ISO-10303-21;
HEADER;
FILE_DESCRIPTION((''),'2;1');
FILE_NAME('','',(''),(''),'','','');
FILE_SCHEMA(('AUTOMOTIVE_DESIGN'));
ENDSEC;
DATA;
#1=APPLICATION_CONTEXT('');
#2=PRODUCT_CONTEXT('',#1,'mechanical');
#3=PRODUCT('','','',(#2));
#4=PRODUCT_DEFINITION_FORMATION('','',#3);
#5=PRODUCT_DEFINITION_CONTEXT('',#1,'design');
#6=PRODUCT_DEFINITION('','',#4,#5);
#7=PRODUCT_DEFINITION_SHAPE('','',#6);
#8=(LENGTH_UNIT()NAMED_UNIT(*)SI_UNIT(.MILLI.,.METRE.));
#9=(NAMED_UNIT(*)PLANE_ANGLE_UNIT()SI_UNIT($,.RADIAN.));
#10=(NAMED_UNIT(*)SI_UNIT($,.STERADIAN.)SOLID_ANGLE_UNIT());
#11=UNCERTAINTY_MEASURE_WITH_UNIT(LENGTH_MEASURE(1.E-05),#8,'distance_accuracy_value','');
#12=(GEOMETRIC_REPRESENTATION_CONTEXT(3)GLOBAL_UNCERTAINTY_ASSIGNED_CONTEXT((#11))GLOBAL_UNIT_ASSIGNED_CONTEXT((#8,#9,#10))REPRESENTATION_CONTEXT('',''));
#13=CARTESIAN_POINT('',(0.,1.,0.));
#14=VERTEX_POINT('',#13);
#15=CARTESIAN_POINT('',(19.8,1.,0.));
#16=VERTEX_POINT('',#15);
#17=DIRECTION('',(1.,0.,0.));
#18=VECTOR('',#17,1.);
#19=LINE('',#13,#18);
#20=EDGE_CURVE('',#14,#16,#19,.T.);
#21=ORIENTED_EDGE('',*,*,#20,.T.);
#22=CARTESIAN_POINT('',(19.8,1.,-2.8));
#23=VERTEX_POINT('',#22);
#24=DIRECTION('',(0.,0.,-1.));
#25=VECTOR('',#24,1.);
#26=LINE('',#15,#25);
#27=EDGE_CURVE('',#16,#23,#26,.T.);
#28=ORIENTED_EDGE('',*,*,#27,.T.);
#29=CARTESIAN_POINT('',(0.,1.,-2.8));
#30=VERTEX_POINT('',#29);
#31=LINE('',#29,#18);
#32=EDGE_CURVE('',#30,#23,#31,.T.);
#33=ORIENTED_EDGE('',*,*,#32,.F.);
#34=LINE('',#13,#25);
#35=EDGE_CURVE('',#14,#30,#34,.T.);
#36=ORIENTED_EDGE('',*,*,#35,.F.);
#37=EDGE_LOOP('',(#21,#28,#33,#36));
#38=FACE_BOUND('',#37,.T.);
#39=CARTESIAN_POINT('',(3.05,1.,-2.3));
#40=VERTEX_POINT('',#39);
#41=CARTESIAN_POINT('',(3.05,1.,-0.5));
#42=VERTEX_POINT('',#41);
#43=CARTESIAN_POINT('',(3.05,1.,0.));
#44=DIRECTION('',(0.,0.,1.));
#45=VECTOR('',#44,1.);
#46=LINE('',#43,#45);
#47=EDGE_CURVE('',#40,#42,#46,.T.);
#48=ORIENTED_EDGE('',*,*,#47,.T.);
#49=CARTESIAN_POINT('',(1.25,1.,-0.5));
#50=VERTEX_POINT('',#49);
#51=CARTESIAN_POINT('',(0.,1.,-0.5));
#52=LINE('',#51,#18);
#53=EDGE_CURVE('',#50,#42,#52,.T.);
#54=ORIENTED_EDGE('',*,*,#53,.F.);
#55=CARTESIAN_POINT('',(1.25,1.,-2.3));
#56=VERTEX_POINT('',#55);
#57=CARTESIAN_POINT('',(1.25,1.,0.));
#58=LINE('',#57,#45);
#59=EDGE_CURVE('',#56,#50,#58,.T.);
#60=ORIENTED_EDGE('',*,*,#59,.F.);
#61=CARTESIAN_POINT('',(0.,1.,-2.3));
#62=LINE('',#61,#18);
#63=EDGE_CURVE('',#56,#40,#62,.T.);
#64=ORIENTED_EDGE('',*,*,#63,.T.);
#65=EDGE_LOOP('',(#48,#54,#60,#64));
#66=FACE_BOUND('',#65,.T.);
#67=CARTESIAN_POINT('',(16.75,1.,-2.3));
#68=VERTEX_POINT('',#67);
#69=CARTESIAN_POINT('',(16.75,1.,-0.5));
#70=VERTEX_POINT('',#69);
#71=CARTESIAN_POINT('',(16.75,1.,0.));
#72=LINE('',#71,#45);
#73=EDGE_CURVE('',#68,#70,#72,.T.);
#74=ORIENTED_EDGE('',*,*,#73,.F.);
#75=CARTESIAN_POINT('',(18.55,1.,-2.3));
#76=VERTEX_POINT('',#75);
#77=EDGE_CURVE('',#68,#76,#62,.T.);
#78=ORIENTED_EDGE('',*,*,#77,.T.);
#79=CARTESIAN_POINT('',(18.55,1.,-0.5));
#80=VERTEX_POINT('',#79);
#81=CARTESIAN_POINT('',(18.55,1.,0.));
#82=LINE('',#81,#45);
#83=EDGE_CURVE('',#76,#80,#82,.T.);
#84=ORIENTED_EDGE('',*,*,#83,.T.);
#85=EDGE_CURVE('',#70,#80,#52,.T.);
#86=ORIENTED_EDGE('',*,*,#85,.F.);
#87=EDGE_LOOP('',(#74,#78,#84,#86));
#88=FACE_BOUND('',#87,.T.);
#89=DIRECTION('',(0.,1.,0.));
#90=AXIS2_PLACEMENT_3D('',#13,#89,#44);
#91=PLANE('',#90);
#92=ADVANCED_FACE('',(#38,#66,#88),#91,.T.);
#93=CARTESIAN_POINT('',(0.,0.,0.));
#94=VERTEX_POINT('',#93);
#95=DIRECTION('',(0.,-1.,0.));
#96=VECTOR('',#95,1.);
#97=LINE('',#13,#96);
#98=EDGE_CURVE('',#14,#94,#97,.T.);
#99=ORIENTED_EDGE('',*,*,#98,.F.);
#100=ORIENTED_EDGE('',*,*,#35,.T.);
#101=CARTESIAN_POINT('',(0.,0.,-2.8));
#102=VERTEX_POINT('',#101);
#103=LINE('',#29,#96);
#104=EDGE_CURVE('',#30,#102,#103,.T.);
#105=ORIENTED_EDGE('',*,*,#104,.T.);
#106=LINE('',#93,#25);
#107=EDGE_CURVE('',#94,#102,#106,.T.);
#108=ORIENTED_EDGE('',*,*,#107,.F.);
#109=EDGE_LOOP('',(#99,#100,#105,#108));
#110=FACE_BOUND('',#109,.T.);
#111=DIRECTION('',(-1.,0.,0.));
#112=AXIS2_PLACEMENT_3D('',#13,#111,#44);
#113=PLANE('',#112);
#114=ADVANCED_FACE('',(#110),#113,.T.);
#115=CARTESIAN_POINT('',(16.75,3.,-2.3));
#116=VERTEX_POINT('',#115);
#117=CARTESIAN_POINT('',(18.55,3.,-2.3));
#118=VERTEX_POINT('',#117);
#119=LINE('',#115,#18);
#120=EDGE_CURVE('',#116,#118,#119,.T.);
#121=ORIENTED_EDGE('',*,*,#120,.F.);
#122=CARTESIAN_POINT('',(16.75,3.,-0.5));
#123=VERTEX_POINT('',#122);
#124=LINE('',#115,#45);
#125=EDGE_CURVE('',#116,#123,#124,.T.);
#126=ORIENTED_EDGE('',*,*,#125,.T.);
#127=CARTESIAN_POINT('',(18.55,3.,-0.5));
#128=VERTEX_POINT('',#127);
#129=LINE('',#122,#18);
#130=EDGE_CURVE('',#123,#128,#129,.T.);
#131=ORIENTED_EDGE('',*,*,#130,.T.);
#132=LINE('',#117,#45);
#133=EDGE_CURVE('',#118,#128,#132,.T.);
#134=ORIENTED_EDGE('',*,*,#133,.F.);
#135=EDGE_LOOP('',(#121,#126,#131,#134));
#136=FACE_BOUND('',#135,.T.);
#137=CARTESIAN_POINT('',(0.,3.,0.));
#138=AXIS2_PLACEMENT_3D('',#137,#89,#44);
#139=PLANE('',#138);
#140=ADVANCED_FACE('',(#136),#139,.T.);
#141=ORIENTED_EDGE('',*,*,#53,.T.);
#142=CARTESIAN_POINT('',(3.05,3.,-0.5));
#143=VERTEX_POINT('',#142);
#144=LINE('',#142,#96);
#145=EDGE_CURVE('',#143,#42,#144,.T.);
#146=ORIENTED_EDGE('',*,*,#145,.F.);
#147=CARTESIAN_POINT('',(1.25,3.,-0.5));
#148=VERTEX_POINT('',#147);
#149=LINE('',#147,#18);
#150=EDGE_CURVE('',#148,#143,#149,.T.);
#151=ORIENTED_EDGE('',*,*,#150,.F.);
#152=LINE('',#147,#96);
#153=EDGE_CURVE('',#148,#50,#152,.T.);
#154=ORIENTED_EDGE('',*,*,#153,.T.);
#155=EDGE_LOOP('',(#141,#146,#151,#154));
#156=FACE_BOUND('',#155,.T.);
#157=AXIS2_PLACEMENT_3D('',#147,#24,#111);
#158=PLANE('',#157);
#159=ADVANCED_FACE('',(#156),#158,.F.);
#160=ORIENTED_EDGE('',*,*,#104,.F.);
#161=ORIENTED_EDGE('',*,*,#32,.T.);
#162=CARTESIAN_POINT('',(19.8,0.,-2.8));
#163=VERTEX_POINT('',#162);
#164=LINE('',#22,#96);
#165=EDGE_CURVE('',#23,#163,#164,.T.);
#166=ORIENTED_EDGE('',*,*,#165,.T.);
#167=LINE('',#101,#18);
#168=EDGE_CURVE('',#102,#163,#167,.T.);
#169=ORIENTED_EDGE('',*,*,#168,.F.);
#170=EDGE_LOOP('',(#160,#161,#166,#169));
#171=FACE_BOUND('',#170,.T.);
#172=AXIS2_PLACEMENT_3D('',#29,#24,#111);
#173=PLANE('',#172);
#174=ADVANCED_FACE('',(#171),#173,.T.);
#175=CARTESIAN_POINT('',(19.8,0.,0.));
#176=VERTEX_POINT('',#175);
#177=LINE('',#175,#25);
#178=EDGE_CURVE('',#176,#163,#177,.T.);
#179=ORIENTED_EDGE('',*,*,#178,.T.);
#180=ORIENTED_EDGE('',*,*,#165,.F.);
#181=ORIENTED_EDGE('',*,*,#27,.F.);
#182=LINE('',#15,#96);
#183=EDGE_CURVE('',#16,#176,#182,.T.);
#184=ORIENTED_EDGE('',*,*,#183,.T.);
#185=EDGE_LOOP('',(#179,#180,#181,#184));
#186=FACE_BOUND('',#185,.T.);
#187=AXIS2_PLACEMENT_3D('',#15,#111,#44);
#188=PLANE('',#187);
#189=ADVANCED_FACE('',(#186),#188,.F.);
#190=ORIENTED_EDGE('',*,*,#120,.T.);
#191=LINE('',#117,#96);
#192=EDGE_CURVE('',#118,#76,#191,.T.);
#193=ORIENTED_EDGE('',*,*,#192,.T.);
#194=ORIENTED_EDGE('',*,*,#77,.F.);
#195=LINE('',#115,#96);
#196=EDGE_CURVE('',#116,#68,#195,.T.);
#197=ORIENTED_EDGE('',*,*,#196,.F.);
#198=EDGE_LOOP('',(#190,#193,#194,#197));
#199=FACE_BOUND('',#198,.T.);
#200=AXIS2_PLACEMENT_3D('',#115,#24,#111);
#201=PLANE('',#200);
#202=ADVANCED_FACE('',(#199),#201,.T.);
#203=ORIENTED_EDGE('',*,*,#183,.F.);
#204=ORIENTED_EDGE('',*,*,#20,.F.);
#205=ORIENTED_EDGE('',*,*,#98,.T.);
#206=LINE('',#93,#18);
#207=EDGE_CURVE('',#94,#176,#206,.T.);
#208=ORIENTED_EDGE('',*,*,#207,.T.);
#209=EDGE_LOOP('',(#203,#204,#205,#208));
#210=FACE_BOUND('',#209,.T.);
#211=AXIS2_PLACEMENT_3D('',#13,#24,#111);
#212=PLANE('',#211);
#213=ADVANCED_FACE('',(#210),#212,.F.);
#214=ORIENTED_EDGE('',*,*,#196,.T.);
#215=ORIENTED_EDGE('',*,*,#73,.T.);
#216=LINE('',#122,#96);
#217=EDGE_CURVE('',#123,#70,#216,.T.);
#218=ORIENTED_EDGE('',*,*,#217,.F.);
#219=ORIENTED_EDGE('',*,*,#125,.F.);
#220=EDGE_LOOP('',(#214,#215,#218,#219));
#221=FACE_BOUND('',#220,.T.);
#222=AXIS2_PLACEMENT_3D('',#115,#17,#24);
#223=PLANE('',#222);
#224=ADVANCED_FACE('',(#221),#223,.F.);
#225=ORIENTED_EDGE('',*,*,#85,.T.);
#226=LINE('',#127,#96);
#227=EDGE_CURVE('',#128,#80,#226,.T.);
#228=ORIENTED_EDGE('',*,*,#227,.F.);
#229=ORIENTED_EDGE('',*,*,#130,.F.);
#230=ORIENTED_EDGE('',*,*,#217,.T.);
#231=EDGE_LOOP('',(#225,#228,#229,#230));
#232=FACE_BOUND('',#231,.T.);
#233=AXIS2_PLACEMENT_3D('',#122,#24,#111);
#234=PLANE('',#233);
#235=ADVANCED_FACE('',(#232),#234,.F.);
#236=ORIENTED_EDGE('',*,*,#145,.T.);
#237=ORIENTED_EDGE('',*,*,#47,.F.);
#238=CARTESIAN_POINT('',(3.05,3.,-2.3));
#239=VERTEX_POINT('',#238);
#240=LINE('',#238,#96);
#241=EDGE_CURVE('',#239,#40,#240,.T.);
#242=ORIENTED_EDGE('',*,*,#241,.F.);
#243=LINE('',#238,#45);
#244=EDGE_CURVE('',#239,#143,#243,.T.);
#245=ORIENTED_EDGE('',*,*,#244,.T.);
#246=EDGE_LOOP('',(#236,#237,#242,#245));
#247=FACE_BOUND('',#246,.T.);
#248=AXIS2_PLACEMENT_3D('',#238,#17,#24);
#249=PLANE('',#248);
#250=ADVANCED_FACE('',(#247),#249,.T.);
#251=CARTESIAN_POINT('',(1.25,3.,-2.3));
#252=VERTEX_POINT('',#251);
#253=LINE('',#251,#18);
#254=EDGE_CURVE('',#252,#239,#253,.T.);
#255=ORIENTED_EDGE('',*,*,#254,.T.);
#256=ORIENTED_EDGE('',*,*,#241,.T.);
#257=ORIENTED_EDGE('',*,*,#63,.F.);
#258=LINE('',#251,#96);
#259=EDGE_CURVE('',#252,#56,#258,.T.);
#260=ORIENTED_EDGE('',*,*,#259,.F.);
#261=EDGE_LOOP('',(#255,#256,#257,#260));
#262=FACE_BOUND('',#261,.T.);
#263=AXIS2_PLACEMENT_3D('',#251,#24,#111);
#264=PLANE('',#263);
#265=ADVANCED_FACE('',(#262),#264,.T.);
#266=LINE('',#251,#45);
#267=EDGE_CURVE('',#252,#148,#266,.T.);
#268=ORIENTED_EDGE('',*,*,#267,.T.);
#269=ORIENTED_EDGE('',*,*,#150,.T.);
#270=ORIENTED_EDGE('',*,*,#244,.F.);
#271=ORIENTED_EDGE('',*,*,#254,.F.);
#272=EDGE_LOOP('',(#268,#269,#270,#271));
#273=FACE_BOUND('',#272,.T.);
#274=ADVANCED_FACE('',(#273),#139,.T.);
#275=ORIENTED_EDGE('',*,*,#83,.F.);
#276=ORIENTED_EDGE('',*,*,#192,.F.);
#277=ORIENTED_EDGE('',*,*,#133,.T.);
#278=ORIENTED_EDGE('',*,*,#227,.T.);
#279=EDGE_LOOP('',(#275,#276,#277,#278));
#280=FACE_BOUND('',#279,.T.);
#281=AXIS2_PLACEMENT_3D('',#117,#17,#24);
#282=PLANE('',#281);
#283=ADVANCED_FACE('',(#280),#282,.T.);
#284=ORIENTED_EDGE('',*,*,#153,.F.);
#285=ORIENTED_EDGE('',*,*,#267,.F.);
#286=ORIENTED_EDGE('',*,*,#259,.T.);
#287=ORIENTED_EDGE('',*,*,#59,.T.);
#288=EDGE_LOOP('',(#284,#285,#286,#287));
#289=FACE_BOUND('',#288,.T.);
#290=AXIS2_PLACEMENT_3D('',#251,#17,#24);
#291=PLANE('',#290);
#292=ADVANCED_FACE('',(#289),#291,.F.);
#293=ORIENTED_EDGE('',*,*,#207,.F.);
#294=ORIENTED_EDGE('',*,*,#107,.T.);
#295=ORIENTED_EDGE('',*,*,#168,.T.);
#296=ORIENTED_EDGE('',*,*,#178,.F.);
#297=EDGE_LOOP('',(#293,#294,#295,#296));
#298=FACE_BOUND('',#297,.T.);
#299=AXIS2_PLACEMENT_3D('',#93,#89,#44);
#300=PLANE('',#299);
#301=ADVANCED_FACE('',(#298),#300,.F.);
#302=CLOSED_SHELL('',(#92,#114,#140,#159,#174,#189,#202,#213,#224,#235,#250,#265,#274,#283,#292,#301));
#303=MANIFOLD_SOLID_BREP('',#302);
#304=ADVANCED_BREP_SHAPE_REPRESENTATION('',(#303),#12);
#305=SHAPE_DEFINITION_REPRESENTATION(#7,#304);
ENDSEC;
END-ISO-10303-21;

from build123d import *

# Parameters (mm, degrees)
SKETCH1_W           = 19.8
SKETCH1_H           = 2.8
SKETCH1_W_2         = 1.8
SKETCH1_H_2         = 1.8
BOSS_EXTRUDE1_DEPTH = 1
SKETCH1_3_W         = 1.8
SKETCH1_3_H         = 1.8
BOSS_EXTRUDE2_DEPTH = 3


with BuildPart() as part:
    # Sketch1 → Boss-Extrude1 (new body)
    with BuildSketch(Plane(origin=(0, 0, 0), x_dir=(1, 0, 0), z_dir=(0, 1, 0))):
        with Locations((9.9, 1.4)):
            Rectangle(SKETCH1_W, SKETCH1_H)
        with Locations((2.15, 1.4)):
            Rectangle(SKETCH1_W_2, SKETCH1_H_2, mode=Mode.SUBTRACT)
        with Locations((17.65, 1.4)):
            Rectangle(SKETCH1_W_2, SKETCH1_H_2, mode=Mode.SUBTRACT)
    extrude(amount=BOSS_EXTRUDE1_DEPTH)

    # Sketch1<3> → Boss-Extrude2 (add)
    with BuildSketch(Plane(origin=(0, 0, 0), x_dir=(1, 0, 0), z_dir=(0, 1, 0))):
        with Locations((2.15, 1.4)):
            Rectangle(SKETCH1_3_W, SKETCH1_3_H)
        with Locations((17.65, 1.4)):
            Rectangle(SKETCH1_3_W, SKETCH1_3_H)
    extrude(amount=BOSS_EXTRUDE2_DEPTH)


solid = part.part
